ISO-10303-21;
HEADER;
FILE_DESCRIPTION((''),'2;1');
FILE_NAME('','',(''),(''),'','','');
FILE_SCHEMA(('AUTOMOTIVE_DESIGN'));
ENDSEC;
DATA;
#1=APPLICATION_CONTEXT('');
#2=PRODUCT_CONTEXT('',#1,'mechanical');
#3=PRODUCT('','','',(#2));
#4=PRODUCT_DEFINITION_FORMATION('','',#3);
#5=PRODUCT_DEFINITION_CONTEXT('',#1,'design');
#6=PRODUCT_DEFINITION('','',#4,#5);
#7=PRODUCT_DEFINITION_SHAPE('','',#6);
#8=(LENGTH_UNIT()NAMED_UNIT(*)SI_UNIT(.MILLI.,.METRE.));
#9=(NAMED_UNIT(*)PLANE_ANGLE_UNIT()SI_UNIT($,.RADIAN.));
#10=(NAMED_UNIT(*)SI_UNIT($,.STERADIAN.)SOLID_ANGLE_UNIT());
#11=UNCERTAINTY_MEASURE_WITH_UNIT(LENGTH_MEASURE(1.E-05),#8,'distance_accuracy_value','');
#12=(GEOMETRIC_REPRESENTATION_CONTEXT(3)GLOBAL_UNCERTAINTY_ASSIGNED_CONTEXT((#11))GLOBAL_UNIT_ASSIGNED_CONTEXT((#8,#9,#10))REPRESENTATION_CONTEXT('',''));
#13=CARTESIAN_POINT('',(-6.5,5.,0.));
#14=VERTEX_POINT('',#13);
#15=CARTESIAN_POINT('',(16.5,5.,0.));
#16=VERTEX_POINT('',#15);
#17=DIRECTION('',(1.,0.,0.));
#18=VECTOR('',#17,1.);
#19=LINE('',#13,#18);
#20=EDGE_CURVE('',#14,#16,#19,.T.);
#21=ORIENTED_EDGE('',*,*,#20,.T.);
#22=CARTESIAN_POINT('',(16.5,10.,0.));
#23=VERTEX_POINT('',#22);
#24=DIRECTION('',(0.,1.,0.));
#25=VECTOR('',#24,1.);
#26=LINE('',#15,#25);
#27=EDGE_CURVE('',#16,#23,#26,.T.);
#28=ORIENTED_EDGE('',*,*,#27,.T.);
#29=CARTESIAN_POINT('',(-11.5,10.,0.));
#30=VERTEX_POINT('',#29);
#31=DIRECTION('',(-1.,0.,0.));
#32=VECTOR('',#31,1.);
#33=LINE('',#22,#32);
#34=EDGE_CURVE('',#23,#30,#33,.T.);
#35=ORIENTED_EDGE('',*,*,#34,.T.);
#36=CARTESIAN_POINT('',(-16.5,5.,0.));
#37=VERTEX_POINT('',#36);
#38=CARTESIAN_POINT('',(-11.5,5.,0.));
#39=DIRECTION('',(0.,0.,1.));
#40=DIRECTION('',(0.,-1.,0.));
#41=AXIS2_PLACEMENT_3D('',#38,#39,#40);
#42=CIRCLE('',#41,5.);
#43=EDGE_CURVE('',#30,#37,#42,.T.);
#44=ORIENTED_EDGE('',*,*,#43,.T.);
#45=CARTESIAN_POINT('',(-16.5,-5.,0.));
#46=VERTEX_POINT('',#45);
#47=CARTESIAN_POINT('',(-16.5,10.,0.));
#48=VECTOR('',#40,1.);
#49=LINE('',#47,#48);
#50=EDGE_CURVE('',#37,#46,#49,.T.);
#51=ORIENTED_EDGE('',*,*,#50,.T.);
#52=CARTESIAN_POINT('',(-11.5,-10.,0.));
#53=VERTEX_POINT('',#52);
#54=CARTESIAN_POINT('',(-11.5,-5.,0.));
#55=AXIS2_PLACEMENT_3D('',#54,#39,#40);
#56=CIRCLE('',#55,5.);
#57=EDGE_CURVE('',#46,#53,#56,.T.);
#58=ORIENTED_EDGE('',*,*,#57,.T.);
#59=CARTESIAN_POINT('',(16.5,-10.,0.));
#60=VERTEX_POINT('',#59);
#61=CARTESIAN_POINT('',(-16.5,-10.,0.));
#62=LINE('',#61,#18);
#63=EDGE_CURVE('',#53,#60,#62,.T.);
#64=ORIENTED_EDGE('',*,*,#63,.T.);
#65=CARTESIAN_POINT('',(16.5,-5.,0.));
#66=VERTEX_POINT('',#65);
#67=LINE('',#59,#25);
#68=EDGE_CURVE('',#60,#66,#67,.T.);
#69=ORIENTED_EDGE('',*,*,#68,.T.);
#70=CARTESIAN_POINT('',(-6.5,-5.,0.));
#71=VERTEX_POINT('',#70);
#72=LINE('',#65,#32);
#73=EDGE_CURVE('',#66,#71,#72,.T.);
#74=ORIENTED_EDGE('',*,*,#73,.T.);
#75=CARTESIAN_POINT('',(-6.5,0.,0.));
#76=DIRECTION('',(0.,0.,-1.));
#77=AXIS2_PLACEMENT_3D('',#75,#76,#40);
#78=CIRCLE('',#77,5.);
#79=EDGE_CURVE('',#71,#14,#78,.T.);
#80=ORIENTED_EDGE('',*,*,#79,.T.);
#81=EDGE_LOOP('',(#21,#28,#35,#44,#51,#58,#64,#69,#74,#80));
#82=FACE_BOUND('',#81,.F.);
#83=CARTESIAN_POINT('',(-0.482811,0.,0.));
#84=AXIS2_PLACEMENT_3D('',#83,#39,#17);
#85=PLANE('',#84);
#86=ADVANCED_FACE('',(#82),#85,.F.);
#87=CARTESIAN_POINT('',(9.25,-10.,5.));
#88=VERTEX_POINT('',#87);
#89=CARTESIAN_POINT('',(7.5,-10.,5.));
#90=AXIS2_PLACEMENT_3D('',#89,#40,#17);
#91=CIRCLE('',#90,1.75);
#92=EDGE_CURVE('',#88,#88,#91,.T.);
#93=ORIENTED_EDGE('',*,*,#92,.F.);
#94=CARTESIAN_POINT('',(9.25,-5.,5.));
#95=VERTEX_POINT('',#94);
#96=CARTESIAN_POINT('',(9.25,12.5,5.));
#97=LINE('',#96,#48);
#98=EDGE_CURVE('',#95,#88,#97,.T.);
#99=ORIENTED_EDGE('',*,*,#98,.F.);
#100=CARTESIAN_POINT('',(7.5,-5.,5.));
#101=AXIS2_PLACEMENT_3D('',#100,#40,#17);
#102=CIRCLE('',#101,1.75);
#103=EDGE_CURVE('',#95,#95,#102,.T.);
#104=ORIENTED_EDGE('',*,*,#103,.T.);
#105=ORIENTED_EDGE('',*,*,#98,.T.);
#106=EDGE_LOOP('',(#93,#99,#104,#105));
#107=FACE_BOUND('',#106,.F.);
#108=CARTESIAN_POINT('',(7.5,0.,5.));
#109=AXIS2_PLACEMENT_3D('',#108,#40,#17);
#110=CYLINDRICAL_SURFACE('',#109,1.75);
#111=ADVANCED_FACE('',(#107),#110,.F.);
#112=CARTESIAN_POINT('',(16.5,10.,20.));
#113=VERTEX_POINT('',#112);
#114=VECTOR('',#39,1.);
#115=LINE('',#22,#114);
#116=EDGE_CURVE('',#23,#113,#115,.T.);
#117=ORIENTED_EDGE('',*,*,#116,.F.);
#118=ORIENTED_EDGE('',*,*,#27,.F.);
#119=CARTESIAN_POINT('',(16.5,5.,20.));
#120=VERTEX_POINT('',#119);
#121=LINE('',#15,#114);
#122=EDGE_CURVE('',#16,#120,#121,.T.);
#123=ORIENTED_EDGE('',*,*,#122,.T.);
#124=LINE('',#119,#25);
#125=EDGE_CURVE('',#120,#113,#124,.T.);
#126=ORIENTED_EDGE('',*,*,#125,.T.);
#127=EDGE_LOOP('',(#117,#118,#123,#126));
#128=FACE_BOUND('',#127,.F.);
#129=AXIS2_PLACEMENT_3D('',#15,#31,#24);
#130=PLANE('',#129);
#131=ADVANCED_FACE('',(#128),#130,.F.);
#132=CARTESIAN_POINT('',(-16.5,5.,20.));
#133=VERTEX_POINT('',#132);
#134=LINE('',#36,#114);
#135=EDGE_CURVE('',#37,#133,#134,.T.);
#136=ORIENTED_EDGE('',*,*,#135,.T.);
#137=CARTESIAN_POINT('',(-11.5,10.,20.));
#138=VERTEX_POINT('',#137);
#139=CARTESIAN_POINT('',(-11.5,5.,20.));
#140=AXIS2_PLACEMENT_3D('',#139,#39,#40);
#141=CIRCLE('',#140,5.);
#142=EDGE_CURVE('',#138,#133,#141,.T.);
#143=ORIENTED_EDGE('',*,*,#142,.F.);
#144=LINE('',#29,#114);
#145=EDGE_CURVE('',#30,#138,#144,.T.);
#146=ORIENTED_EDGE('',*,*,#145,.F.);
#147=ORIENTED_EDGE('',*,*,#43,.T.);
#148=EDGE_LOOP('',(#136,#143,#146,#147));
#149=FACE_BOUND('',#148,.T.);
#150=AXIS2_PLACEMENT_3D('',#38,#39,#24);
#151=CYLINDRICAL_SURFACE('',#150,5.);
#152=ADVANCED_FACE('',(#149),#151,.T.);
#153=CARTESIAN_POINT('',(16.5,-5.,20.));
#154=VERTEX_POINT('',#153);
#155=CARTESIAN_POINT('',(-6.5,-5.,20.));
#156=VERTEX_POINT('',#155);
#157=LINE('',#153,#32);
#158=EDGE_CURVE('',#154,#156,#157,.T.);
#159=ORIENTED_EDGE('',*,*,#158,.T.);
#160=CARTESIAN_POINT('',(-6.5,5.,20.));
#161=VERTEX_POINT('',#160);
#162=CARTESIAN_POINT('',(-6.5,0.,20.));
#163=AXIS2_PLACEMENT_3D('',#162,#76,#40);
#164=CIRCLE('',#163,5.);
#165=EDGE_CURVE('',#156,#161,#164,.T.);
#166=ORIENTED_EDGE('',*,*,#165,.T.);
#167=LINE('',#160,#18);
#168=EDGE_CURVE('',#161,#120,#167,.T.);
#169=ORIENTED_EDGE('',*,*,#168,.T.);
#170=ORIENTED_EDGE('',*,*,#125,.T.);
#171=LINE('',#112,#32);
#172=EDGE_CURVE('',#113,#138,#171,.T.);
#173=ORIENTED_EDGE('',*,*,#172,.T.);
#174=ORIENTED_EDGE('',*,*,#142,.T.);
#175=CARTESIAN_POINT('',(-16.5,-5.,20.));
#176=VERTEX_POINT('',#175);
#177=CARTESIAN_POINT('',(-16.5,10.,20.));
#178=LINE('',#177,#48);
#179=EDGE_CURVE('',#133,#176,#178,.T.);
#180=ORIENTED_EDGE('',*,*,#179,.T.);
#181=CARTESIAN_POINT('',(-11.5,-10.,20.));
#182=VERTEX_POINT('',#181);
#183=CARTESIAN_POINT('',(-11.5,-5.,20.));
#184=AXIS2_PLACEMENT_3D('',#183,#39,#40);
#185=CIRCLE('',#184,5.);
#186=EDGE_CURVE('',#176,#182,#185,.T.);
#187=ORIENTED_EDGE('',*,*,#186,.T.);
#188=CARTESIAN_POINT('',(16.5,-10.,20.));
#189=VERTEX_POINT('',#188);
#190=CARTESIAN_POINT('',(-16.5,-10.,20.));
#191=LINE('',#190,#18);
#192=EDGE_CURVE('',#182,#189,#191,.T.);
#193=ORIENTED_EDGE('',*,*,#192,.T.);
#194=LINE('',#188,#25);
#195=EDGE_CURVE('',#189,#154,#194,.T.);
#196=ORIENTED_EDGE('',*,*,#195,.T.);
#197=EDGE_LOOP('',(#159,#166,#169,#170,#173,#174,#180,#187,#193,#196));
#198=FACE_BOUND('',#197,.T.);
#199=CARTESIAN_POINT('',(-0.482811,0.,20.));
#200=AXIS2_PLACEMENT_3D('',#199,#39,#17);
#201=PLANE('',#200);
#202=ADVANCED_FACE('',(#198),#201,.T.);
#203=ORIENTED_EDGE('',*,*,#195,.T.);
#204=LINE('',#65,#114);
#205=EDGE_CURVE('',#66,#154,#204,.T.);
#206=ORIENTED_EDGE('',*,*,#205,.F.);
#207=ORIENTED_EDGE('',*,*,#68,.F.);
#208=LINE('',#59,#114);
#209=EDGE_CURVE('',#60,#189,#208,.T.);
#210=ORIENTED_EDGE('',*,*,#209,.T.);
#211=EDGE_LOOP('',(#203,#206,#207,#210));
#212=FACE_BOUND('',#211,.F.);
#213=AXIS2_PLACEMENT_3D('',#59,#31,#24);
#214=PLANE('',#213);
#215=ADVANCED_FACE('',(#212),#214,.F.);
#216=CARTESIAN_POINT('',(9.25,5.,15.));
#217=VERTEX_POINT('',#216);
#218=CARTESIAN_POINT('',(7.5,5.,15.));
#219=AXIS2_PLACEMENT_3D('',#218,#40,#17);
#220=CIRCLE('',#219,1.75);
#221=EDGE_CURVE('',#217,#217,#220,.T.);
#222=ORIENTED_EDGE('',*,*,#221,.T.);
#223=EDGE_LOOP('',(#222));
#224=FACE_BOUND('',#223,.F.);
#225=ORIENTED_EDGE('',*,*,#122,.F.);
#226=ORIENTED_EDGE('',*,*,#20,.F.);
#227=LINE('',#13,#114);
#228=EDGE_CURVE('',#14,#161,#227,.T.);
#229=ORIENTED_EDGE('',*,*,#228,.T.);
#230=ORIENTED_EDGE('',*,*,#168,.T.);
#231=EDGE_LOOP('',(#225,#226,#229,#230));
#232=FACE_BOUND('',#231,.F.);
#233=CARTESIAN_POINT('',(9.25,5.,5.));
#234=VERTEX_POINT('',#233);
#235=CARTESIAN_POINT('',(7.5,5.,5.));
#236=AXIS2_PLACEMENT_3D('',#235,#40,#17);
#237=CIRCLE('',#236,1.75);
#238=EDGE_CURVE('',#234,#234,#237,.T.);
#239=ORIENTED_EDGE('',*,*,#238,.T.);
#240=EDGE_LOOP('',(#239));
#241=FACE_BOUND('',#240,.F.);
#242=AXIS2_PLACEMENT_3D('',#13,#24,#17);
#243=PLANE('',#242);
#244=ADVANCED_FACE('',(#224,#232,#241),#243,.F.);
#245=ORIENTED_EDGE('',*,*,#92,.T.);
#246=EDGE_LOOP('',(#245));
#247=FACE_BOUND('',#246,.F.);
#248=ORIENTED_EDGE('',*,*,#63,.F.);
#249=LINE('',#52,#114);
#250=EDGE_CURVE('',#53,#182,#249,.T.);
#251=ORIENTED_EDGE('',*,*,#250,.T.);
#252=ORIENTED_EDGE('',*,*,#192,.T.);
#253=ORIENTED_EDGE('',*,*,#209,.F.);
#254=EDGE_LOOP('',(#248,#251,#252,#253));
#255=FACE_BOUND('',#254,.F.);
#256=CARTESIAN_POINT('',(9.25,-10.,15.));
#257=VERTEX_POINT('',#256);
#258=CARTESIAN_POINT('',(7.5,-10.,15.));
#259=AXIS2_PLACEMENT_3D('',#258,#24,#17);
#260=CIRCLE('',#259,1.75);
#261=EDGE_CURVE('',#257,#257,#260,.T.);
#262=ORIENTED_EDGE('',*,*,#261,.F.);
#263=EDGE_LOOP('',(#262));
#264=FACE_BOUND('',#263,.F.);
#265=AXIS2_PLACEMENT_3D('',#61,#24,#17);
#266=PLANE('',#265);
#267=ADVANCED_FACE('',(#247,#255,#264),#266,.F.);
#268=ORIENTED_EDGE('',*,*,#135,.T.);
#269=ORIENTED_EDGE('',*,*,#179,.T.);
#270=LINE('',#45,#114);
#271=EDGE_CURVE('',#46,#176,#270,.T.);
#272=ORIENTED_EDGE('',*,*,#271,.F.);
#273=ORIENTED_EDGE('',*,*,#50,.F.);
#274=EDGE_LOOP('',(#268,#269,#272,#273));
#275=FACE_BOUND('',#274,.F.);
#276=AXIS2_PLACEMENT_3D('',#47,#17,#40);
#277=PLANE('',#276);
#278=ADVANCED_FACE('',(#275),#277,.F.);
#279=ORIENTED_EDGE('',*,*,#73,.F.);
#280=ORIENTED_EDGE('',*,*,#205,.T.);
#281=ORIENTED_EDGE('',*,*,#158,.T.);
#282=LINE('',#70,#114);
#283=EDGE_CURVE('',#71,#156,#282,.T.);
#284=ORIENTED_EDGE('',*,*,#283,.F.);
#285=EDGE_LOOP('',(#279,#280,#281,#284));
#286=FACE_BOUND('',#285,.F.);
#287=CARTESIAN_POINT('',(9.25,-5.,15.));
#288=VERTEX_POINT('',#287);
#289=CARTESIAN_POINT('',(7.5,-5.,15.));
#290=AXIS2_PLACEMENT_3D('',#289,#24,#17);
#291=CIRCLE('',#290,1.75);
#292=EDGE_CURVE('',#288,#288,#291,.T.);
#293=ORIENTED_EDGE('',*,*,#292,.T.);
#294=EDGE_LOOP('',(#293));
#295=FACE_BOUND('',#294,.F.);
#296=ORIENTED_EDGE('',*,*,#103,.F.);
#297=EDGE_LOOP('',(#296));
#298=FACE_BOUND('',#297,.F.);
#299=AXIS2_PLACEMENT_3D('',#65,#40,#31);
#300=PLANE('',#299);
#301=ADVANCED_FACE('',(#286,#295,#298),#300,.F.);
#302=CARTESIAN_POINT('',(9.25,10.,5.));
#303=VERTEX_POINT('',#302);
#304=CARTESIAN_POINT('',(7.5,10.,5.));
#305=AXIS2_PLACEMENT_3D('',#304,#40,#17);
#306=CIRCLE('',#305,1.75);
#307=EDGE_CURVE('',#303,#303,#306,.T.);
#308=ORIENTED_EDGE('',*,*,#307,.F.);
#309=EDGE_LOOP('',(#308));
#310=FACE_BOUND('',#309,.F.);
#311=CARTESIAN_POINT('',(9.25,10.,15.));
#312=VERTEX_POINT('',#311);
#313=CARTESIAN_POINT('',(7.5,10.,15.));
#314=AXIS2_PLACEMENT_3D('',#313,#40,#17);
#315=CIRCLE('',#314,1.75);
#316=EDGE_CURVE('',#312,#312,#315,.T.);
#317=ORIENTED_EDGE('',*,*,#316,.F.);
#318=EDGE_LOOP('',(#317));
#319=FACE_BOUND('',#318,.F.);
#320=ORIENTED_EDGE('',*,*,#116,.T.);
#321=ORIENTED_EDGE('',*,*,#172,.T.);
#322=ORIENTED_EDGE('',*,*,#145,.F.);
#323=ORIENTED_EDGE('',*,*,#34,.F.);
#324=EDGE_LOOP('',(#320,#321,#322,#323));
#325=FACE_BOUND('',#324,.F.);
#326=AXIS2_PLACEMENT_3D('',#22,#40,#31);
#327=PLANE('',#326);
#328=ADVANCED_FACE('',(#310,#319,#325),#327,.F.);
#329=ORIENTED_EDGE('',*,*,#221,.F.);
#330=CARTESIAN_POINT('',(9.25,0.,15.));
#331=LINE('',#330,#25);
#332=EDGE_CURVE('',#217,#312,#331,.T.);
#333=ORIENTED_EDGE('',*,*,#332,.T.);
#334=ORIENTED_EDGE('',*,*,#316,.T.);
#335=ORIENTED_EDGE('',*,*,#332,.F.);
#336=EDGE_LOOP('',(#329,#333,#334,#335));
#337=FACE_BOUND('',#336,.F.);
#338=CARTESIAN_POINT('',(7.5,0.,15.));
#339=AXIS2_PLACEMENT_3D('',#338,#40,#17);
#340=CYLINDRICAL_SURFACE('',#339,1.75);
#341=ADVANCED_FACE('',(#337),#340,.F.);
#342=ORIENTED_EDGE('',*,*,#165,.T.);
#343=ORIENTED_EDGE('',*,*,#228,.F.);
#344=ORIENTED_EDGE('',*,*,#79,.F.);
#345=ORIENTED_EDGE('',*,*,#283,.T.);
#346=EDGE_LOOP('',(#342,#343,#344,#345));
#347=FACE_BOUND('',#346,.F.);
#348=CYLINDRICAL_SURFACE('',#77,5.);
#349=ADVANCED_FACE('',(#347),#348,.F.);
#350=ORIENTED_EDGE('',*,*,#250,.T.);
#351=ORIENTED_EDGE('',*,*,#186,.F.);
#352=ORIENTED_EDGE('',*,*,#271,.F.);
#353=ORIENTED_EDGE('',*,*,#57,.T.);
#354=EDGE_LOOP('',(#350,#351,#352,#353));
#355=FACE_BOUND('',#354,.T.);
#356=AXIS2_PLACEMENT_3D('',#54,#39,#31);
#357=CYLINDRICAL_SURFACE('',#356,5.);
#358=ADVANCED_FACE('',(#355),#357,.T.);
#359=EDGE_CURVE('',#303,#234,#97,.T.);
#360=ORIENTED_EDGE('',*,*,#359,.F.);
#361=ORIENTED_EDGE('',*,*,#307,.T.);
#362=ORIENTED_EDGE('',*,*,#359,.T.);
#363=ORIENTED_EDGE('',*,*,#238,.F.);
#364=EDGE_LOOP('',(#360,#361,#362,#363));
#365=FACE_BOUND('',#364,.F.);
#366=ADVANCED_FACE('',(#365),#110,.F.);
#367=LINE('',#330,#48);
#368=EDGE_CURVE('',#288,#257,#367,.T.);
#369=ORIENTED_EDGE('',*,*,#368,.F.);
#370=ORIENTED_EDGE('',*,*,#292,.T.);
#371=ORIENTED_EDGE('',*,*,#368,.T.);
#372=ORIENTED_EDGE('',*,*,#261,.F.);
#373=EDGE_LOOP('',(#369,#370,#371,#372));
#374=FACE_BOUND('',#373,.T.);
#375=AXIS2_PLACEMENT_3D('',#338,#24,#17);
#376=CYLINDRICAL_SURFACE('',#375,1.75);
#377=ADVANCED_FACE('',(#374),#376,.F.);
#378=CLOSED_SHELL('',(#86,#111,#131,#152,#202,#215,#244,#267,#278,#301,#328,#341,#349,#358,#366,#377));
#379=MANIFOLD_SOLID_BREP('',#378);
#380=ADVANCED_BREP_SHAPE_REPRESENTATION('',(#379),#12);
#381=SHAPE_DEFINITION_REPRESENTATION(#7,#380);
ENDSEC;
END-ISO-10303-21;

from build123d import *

# Parameters (mm, degrees)
F1_DEPTH = 20
F2_R     = 1.75
F3_DEPTH = 12.5
F4_R     = 5


with BuildPart() as f1:
    # F0 (on Top) → F1 (new body)
    with BuildSketch(Plane.XY):
        with BuildLine():
            Line((16.5, 10), (-16.5, 10))
            Line((-16.5, 10), (-16.5, -10))
            Line((-16.5, -10), (16.5, -10))
            Line((16.5, -10), (16.5, -5))
            Line((16.5, -5), (-6.5, -5))
            ThreePointArc((-6.5, -5), (-11.5, 0), (-6.5, 5))
            Line((-6.5, 5), (16.5, 5))
            Line((16.5, 5), (16.5, 10))
        make_face()
    extrude(amount=F1_DEPTH)

    # F2 (on Front) → F3 (cut, symmetric)
    with BuildSketch(Plane.XZ):
        with Locations((7.5, 15)):
            Circle(F2_R)
        with Locations((7.5, 5)):
            Circle(F2_R)
    extrude(amount=F3_DEPTH, both=True, mode=Mode.SUBTRACT)

    # F4
    f4_edges = [f1.edges().sort_by_distance(p)[0] for p in [
        (-16.5, 10, 10),
        (-16.5, -10, 10),
    ]]
    fillet(f4_edges, radius=F4_R)


solid = f1.part
